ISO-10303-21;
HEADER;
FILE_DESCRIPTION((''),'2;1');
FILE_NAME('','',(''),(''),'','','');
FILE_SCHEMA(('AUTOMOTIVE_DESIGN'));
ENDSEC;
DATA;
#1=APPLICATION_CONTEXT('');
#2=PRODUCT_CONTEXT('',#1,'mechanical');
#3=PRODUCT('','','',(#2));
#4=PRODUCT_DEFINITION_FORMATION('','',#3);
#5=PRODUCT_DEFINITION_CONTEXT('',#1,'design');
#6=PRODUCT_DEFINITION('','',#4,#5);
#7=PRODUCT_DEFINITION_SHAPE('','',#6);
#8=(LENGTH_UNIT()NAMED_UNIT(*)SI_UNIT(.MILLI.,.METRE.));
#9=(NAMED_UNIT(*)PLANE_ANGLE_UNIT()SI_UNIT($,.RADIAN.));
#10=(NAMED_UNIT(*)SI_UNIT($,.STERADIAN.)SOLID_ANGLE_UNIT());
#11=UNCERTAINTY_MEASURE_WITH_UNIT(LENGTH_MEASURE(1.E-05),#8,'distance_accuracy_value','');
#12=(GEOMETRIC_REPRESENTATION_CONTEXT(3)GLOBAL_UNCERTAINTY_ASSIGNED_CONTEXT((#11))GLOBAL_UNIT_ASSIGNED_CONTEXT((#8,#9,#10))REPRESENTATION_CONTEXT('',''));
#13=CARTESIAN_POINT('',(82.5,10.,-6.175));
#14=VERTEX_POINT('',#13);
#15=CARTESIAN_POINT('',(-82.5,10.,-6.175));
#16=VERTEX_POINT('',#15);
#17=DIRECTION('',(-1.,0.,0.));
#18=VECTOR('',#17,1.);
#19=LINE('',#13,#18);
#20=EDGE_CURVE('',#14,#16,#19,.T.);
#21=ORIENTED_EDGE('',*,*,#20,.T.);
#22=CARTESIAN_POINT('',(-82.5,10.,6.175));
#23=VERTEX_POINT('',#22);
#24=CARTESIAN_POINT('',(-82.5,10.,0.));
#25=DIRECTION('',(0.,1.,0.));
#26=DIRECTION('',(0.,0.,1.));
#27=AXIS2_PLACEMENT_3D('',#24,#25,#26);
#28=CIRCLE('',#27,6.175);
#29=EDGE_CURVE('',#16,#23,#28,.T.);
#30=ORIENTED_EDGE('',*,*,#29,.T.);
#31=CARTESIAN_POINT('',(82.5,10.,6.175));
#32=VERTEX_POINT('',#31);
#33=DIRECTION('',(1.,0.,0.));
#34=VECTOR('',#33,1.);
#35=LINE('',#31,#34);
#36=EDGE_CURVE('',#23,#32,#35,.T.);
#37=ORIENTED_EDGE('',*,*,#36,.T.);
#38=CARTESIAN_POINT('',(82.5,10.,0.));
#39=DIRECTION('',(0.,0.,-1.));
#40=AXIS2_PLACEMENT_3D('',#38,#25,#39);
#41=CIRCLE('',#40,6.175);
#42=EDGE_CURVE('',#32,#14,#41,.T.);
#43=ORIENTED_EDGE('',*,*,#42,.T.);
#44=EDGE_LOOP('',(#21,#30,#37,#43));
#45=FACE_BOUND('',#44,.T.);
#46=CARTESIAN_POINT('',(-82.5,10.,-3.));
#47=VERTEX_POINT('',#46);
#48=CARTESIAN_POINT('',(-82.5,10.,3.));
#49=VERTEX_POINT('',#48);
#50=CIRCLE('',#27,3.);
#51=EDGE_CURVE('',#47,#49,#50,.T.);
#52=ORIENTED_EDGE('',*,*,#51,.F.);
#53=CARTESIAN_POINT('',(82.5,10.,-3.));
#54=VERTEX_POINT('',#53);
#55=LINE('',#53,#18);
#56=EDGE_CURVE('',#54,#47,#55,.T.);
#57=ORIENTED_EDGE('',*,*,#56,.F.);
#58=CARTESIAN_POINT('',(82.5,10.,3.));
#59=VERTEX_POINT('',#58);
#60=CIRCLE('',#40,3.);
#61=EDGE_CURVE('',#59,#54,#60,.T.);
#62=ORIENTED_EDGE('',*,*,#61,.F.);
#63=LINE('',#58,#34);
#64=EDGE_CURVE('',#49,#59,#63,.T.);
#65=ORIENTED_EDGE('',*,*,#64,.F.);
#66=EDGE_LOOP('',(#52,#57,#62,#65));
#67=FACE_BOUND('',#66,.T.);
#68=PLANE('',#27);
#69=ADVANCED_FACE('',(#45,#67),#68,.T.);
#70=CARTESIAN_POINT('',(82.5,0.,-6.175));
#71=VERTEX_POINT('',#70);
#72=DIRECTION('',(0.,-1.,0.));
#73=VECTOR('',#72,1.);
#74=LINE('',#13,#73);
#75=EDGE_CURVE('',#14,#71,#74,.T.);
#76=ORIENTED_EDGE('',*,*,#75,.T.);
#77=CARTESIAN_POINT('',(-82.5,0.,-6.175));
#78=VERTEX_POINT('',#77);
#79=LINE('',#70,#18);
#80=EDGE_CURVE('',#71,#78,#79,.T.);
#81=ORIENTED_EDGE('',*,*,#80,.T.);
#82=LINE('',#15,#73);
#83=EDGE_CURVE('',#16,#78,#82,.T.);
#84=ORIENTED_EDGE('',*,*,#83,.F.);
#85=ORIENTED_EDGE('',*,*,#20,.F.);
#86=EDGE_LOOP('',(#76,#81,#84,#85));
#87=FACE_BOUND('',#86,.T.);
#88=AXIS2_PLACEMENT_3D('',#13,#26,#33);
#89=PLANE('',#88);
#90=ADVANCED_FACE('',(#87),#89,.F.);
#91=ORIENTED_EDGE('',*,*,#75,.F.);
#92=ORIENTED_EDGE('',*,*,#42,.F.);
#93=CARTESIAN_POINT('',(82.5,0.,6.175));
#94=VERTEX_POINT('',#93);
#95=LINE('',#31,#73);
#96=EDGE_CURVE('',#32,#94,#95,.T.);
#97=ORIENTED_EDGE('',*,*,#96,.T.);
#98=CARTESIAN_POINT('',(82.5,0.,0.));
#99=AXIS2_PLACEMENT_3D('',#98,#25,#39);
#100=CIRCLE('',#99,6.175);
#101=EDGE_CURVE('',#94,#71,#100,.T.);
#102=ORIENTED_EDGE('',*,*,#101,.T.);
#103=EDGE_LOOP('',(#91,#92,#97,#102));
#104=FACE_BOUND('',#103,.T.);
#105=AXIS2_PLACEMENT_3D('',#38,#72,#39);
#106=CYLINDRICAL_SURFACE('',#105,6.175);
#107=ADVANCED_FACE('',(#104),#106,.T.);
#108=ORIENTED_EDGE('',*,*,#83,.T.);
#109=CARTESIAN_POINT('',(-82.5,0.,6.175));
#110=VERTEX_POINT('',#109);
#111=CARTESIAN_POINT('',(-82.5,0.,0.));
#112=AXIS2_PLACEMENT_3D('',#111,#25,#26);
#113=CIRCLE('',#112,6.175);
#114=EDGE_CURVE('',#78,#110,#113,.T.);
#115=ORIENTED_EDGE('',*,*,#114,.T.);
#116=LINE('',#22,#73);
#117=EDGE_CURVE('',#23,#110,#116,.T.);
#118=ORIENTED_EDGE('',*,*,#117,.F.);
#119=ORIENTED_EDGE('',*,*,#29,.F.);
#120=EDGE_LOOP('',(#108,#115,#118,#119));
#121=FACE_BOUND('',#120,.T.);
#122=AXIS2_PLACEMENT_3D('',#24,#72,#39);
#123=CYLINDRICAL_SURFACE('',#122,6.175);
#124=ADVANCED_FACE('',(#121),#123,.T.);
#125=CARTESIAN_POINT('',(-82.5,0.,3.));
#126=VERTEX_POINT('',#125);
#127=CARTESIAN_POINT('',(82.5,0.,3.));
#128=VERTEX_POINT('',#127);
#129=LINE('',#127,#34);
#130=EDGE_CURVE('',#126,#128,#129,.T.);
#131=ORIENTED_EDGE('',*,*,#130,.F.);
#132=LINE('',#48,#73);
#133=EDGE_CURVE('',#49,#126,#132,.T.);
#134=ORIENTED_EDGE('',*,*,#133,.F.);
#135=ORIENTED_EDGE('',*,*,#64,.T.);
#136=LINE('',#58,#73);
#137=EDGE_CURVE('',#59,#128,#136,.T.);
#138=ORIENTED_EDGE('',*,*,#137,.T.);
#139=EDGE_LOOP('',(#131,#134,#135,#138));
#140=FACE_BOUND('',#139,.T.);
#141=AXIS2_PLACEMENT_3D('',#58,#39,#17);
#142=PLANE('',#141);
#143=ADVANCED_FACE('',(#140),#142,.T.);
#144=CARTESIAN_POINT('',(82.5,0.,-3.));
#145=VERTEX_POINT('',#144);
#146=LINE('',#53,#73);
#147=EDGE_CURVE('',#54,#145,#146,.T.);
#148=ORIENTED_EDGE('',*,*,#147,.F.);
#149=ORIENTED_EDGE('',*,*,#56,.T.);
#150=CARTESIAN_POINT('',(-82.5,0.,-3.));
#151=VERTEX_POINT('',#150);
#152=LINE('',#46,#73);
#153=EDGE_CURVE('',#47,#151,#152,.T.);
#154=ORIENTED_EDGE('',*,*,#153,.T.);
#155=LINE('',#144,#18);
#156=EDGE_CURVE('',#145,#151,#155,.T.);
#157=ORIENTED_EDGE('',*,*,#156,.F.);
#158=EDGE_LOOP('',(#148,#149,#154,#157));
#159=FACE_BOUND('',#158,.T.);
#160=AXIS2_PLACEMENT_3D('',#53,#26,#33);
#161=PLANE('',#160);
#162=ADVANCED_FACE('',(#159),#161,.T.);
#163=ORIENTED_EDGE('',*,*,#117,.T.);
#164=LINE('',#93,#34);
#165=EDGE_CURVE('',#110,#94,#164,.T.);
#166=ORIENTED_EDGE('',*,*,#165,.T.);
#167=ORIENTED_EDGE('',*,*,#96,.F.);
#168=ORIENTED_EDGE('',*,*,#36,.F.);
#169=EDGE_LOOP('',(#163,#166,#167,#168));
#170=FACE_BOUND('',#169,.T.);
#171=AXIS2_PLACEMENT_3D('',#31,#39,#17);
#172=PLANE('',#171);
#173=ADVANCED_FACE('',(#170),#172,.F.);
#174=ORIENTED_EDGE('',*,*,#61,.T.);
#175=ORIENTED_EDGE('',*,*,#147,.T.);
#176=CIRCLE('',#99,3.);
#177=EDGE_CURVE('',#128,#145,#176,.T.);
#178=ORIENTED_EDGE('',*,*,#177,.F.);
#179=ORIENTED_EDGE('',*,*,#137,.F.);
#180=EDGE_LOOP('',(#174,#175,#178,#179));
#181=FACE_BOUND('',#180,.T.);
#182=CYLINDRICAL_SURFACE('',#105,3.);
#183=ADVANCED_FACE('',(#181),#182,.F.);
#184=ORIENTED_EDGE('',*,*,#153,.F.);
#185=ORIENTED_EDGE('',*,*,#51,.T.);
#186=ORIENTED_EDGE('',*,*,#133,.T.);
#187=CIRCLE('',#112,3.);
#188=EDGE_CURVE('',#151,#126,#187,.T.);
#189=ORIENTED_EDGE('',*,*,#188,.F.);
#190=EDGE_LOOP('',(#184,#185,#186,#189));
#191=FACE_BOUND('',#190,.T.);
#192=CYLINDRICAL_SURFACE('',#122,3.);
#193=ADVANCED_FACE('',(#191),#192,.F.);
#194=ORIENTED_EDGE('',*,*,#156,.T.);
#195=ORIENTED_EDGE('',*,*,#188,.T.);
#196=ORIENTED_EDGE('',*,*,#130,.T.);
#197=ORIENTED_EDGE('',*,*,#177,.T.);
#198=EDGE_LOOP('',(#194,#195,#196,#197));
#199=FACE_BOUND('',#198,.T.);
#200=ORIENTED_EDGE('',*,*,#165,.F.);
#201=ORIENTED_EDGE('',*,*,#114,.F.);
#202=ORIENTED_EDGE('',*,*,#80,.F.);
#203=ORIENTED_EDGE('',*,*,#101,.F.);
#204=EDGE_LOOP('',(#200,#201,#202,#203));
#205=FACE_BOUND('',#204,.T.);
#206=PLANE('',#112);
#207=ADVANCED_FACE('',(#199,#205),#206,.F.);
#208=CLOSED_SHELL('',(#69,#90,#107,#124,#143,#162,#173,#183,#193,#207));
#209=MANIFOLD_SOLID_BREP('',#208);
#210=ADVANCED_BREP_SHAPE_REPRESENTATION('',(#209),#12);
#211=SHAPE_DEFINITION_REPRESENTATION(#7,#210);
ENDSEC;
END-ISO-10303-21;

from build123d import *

# Parameters (mm, degrees)
BOSS_EXTRUDE1_DEPTH = 10


with BuildPart() as part:
    # Sketch1 → Boss-Extrude1 (new body)
    with BuildSketch(Plane(origin=(0, 0, 0), x_dir=(1, 0, 0), z_dir=(0, 1, 0))):
        with BuildLine():
            Line((82.5, -6.175), (-82.5, -6.175))
            ThreePointArc((-82.5, -6.175), (-88.675, 0), (-82.5, 6.175))
            Line((-82.5, 6.175), (82.5, 6.175))
            ThreePointArc((82.5, 6.175), (88.675, 0), (82.5, -6.175))
        make_face()
        with BuildLine():
            Line((82.5, -3), (-82.5, -3))
            ThreePointArc((-82.5, -3), (-85.5, 0), (-82.5, 3))
            Line((-82.5, 3), (82.5, 3))
            ThreePointArc((82.5, 3), (85.5, 0), (82.5, -3))
        make_face(mode=Mode.SUBTRACT)
    extrude(amount=BOSS_EXTRUDE1_DEPTH)


solid = part.part
